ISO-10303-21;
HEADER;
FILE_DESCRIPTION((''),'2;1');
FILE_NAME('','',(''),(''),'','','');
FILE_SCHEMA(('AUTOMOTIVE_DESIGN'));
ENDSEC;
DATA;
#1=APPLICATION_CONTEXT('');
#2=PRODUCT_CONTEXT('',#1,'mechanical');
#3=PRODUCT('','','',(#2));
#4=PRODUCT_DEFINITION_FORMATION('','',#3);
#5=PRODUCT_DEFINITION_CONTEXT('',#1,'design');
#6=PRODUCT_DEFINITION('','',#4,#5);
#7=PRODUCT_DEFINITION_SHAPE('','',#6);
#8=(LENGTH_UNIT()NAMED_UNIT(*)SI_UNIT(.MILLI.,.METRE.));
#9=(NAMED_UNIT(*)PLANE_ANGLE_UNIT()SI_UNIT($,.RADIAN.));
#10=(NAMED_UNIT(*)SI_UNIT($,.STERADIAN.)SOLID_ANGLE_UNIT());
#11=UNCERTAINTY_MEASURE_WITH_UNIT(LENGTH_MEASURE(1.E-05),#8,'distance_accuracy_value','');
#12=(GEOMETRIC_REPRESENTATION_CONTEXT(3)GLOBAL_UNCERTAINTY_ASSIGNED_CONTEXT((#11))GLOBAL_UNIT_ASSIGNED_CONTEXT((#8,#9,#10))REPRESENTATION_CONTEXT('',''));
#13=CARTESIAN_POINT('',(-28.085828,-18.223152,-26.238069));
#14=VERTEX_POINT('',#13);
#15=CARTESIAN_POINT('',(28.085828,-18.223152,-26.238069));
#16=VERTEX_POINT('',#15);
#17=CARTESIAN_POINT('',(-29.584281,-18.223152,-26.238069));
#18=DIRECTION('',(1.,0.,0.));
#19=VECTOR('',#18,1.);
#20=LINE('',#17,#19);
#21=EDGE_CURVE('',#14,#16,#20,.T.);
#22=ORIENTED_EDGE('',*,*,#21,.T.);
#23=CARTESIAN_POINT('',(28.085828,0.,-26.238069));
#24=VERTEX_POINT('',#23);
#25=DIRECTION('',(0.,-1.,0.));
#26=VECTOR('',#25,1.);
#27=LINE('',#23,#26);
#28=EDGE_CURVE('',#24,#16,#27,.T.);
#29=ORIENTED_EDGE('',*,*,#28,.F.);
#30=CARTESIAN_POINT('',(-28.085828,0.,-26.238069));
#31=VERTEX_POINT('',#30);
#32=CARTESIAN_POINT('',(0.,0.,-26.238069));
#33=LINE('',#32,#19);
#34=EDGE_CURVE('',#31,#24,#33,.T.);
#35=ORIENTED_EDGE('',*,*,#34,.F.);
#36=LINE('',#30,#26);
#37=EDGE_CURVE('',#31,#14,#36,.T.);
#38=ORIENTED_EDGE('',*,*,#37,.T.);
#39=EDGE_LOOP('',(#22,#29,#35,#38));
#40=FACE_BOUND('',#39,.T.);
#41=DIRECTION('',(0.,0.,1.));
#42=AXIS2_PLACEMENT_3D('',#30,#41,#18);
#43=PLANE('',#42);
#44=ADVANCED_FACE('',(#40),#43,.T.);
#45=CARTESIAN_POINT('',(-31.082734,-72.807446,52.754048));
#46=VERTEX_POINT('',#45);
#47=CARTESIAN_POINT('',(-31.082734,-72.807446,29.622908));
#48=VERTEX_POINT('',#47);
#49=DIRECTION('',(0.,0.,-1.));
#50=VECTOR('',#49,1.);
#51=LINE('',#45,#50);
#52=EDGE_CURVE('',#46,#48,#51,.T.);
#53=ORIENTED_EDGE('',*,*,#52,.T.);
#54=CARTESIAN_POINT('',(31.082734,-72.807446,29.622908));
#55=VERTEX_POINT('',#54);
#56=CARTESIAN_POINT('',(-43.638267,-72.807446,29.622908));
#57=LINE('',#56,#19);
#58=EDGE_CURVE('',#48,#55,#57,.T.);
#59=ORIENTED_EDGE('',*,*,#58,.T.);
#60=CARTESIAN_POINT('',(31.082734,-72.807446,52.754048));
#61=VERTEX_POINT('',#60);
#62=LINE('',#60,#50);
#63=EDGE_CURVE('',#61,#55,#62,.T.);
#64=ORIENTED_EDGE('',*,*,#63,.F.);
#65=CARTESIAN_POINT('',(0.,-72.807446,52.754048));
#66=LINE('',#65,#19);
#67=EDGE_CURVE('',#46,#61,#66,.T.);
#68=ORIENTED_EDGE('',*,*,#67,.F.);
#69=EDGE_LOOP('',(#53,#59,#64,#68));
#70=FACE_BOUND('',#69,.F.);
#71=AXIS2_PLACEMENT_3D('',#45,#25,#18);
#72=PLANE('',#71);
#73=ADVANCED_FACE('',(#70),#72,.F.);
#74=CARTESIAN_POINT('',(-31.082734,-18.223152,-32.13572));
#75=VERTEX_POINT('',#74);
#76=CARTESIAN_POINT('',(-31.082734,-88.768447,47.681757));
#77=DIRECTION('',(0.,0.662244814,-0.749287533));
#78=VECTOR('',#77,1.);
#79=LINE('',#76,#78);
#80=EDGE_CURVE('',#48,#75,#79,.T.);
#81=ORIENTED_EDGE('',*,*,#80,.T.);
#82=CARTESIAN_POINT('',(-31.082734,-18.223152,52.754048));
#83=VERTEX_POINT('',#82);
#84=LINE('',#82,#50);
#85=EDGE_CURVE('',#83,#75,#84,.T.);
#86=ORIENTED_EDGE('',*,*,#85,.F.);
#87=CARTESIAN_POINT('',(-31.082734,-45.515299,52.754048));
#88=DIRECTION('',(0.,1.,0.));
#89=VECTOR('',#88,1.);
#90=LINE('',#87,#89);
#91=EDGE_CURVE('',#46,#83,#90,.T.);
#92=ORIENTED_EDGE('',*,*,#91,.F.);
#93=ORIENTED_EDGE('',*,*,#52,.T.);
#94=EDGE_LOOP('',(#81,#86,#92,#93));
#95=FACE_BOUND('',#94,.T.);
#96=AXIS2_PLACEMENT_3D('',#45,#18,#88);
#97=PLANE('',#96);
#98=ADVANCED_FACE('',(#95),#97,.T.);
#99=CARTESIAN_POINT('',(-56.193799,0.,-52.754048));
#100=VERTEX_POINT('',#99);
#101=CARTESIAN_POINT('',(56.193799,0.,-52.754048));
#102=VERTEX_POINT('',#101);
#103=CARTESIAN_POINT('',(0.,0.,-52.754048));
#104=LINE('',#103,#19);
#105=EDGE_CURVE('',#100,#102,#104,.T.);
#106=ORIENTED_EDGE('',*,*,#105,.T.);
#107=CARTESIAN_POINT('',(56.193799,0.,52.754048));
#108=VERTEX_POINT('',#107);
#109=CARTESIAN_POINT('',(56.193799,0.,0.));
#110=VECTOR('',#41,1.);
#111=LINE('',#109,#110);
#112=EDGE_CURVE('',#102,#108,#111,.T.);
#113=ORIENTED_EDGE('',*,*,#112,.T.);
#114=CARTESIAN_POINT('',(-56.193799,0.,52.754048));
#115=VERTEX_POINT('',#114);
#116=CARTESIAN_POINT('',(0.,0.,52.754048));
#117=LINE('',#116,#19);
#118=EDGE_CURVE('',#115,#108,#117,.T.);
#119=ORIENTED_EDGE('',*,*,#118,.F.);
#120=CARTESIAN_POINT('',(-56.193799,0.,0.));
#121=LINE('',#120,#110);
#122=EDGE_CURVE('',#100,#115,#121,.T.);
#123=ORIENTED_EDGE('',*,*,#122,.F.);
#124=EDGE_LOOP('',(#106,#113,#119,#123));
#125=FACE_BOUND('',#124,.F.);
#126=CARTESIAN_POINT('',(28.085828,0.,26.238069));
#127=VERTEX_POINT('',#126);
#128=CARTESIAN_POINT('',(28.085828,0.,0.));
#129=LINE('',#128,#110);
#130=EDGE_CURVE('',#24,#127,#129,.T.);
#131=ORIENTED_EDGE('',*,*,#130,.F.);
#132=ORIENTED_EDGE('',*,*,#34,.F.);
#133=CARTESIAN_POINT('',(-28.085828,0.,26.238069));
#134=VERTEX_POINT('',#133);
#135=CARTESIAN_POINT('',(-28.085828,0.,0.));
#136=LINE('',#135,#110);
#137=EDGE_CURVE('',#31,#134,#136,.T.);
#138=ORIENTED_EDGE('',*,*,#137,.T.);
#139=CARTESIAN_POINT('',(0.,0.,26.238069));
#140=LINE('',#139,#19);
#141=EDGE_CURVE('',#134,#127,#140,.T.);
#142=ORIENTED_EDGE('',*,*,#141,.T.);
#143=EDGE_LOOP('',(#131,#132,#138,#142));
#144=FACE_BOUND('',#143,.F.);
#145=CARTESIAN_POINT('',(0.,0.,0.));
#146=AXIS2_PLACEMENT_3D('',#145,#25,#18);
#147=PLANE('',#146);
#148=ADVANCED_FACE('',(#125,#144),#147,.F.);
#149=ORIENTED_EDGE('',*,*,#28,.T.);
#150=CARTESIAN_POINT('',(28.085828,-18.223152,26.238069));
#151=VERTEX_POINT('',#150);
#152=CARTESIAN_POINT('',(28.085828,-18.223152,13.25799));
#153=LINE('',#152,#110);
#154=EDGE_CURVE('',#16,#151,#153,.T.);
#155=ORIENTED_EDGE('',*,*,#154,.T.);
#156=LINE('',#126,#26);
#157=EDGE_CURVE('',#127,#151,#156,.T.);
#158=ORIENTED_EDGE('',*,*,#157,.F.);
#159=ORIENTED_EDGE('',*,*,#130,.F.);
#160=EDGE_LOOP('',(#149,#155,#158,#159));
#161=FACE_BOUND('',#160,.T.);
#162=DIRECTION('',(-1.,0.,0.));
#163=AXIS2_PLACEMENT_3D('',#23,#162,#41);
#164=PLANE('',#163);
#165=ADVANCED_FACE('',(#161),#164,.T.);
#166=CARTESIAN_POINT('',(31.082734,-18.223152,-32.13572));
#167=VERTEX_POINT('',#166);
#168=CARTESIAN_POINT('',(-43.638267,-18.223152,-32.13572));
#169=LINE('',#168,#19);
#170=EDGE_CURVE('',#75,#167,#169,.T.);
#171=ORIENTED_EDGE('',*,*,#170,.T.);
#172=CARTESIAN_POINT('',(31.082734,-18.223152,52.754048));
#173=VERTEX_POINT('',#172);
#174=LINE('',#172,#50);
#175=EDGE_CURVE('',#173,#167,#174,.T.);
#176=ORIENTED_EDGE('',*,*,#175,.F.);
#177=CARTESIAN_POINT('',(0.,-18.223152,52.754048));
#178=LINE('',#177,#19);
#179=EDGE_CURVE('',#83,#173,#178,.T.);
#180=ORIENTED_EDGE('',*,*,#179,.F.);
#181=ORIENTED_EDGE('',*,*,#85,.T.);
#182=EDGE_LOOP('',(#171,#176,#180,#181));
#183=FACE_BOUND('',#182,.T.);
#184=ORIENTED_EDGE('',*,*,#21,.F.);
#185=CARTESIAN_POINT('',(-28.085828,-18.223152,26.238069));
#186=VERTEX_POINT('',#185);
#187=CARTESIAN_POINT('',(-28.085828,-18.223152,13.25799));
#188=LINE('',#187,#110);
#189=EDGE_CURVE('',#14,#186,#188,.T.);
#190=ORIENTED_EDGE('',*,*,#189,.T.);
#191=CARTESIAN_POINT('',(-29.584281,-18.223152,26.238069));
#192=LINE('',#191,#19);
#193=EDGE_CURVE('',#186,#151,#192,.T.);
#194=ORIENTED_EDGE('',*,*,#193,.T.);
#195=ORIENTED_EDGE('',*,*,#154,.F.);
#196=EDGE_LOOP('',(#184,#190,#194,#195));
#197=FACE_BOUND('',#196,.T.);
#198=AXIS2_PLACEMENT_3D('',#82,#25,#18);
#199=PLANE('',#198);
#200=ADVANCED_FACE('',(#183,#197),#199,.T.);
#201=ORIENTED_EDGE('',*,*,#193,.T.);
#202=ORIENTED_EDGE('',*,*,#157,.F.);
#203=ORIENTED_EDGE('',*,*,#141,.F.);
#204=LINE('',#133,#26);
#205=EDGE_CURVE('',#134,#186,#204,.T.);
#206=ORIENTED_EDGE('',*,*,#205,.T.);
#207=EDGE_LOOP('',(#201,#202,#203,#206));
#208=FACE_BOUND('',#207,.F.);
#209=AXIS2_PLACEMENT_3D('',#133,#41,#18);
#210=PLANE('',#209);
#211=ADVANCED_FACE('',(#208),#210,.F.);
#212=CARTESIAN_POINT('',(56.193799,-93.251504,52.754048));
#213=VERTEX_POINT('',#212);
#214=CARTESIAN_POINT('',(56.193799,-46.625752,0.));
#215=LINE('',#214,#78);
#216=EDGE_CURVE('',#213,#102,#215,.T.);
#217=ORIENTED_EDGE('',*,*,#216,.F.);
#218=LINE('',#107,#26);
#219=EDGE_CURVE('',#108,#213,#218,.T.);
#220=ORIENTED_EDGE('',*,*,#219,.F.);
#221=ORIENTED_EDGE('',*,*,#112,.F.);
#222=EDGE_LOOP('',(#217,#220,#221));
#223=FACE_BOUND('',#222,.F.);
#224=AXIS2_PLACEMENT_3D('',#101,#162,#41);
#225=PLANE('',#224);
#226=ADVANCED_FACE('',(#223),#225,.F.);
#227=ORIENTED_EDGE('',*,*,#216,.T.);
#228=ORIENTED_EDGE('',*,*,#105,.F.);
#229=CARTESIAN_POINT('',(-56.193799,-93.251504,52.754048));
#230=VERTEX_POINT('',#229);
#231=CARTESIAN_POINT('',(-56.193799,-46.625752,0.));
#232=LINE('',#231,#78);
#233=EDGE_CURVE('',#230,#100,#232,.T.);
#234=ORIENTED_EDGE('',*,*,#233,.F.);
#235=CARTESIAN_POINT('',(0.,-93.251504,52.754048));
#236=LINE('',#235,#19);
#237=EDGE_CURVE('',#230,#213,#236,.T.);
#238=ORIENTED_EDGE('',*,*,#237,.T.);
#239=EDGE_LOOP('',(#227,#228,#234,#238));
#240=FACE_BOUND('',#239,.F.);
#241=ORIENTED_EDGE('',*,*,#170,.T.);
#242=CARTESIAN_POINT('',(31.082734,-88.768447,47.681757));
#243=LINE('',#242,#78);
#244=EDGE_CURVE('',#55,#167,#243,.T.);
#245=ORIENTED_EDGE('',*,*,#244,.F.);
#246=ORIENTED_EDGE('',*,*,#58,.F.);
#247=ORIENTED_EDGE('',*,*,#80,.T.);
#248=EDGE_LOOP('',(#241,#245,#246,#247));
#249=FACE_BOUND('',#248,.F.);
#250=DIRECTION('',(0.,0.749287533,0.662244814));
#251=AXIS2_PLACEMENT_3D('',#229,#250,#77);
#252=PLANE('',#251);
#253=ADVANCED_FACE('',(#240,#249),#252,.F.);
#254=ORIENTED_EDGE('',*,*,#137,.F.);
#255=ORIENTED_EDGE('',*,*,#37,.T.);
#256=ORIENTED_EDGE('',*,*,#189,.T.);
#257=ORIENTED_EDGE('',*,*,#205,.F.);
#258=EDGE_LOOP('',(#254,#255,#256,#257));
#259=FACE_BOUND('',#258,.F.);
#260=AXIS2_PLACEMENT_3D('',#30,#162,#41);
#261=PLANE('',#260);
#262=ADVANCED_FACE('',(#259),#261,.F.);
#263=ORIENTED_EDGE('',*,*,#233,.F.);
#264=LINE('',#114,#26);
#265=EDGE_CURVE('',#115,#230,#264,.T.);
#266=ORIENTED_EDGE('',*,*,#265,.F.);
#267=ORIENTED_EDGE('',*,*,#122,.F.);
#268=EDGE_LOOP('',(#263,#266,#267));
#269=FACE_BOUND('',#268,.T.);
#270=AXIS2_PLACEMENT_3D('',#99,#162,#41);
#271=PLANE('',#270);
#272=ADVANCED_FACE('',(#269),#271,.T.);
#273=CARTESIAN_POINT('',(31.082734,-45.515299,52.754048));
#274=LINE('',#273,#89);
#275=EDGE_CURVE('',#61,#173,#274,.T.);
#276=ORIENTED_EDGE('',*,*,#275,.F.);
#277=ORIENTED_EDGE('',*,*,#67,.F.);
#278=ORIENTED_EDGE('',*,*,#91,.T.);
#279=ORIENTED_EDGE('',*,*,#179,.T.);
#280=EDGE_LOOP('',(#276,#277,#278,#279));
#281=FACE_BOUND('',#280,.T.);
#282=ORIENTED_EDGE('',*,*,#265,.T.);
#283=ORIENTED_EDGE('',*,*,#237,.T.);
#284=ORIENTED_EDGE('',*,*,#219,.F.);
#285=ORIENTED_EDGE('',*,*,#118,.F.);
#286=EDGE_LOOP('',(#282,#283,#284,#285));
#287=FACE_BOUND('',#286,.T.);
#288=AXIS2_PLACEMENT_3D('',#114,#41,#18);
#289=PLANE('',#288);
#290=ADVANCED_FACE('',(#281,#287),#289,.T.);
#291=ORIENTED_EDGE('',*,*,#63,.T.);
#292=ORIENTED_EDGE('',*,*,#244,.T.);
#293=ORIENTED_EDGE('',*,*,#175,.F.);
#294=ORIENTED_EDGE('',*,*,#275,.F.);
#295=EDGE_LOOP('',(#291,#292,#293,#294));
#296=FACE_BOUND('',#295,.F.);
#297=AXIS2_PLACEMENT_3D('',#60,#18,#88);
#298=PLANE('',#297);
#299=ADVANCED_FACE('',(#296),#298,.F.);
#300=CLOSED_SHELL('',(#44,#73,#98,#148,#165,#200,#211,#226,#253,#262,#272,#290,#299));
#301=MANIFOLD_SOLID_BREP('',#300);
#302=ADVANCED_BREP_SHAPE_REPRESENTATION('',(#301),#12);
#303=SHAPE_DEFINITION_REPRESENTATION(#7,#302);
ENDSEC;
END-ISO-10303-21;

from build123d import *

# Parameters (mm, degrees)
F0_W     = 112.387598
F0_H     = 105.508096
F0_W_2   = 56.171656
F0_H_2   = 52.476138
F1_DEPTH = 93.251504
F3_DEPTH = 50000
F4_W     = 62.165468
F4_H     = 54.584294
F5_DEPTH = 105.509097


with BuildPart() as f1:
    # F0 (on Front) → F1 (new body)
    with BuildSketch(Plane.XZ):
        Rectangle(F0_W, F0_H)
        Rectangle(F0_W_2, F0_H_2, mode=Mode.SUBTRACT)
    extrude(amount=F1_DEPTH)

    # F2 (on face) → F3 (cut, symmetric)
    with BuildSketch(Plane(origin=(-56.193799, 0, 0), x_dir=(0, -1, 0), z_dir=(-1, 0, 0))):
        Polygon((93.251504, 52.754048), (0, -52.754048), (93.251504, -52.754048), align=None)
    extrude(amount=F3_DEPTH, both=True, mode=Mode.SUBTRACT)

    # F4 (on face) → F5 (cut, through all)
    with BuildSketch(Plane.XY.offset(52.754048)):
        with Locations((0, -45.515299)):
            Rectangle(F4_W, F4_H)
    extrude(amount=-F5_DEPTH, mode=Mode.SUBTRACT)


solid = f1.part
